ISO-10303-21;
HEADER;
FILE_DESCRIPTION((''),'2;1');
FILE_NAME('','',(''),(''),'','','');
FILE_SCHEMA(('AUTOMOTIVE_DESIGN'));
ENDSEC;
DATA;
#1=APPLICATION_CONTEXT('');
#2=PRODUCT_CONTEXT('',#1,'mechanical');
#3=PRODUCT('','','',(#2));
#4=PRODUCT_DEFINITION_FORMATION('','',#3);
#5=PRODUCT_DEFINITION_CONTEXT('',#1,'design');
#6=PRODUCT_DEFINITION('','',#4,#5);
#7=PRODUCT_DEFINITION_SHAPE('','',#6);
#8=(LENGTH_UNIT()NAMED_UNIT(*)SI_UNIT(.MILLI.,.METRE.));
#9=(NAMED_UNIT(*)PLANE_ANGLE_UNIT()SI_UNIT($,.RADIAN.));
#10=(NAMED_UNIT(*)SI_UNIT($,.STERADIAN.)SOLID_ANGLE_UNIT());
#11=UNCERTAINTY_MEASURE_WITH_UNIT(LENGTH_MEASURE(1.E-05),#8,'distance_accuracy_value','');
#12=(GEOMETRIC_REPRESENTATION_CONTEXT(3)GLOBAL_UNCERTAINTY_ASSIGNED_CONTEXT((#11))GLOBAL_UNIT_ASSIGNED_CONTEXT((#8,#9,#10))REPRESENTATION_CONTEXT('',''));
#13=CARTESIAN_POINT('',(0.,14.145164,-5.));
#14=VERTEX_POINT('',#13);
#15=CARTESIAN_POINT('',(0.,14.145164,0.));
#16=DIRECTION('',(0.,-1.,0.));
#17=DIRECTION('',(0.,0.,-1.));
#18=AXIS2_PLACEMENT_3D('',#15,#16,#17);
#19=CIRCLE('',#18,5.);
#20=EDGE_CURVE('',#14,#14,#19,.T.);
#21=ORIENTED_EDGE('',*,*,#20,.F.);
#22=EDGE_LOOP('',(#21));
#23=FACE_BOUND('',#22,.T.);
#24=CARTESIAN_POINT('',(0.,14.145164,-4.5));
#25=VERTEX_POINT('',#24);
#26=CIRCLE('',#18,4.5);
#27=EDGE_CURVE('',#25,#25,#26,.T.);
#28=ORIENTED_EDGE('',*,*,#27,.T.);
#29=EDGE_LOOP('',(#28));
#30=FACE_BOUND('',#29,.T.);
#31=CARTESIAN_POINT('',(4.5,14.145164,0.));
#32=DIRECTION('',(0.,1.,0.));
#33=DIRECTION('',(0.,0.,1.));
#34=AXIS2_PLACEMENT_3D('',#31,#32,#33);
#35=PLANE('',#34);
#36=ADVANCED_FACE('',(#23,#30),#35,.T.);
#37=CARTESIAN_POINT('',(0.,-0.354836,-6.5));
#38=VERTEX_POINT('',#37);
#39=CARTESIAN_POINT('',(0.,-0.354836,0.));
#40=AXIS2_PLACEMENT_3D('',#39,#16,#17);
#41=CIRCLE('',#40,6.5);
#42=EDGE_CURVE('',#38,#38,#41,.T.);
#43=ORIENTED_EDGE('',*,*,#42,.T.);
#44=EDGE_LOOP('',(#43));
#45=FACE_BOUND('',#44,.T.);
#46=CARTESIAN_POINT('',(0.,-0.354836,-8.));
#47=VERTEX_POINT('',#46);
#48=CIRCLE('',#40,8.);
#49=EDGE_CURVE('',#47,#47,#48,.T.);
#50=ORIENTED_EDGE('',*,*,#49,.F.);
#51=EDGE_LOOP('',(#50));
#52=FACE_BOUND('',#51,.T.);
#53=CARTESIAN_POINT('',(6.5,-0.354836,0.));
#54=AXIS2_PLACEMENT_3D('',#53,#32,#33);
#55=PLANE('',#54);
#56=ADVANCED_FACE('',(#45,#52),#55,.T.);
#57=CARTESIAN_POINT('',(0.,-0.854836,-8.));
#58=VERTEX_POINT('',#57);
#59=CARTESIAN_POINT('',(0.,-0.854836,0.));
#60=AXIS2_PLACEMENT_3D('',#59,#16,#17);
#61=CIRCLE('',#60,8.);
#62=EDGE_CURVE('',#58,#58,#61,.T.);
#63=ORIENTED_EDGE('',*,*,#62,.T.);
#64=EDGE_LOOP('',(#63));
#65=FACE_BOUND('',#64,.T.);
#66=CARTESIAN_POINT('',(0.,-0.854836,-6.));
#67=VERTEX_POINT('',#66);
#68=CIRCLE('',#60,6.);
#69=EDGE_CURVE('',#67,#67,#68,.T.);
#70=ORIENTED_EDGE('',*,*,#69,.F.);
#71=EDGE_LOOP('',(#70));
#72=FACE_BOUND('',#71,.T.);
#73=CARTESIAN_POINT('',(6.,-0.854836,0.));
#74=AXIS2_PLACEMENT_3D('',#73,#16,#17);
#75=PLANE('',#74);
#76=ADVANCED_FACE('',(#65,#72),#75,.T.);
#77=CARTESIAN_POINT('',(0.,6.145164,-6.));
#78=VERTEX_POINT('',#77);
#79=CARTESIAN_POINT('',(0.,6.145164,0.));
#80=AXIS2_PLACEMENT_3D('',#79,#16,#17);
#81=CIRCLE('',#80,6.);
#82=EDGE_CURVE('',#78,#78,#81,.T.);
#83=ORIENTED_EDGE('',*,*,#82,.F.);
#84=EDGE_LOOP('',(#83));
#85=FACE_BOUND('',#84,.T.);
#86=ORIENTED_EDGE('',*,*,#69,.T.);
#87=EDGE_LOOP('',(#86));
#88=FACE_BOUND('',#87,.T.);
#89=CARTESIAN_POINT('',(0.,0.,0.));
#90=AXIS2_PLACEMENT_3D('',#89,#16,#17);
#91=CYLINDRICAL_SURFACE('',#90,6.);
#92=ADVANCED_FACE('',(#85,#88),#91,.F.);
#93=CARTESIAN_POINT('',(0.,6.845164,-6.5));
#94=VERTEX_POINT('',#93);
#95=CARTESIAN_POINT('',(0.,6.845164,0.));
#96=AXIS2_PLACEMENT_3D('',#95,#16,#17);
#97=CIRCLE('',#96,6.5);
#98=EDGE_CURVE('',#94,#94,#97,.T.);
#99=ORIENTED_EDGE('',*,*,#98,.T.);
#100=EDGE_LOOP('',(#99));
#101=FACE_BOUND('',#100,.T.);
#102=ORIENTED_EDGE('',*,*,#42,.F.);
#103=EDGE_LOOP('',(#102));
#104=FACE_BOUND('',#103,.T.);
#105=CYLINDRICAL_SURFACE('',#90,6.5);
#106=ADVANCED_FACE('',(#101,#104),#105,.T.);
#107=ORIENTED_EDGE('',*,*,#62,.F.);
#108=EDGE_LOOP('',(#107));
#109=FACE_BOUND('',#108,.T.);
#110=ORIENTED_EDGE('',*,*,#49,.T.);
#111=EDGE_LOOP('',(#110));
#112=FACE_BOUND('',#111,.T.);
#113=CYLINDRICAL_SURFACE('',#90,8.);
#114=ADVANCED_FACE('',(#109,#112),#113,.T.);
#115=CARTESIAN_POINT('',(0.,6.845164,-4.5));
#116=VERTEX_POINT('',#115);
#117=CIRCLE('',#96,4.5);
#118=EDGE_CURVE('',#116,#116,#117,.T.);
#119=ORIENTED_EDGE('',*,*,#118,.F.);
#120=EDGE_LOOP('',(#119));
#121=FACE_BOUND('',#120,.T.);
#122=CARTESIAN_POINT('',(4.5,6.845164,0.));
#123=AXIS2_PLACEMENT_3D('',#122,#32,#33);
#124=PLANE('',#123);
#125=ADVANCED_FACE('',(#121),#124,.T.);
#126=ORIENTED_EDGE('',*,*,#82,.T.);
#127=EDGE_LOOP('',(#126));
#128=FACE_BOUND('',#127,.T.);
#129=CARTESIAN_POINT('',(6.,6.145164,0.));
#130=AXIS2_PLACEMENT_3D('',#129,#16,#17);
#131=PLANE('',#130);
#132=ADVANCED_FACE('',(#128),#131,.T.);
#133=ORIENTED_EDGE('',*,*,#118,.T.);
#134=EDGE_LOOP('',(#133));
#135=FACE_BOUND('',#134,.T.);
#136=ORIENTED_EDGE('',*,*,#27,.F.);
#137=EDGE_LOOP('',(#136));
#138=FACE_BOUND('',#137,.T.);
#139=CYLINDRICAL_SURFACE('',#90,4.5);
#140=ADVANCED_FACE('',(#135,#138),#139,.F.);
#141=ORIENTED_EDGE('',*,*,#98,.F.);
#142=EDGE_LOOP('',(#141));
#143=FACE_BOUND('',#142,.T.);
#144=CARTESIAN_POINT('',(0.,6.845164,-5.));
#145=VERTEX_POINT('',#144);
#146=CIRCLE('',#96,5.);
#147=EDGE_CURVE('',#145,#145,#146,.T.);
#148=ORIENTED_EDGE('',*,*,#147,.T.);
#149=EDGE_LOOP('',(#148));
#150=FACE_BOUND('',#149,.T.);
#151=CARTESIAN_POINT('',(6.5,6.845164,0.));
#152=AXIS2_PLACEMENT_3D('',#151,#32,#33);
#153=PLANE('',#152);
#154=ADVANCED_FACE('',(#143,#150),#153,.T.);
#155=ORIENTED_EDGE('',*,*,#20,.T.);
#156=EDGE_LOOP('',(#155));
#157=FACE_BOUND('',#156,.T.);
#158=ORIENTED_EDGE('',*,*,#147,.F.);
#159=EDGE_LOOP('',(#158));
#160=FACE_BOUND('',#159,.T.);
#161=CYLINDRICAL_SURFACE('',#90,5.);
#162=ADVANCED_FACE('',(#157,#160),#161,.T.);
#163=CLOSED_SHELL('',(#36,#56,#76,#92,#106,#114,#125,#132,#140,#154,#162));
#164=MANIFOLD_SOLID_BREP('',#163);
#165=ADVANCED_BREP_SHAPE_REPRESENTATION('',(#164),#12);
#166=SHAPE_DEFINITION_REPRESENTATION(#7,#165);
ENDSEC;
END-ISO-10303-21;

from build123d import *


with BuildPart() as part:
    # Sketch1 → Revolve1 (revolve)
    with BuildSketch(Plane.XY):
        Polygon((6, -0.854835863), (6, 6.145164137), (0, 6.145164137), (0, 6.845164137), (4.5, 6.845164137), (4.5, 14.145164137), (5, 14.145164137), (5, 6.845164137), (6.5, 6.845164137), (6.5, -0.354835863), (8, -0.354835863), (8, -0.854835863), align=None)
    revolve(axis=Axis((0, 0, 0), (0, 1, 0)))


solid = part.part
